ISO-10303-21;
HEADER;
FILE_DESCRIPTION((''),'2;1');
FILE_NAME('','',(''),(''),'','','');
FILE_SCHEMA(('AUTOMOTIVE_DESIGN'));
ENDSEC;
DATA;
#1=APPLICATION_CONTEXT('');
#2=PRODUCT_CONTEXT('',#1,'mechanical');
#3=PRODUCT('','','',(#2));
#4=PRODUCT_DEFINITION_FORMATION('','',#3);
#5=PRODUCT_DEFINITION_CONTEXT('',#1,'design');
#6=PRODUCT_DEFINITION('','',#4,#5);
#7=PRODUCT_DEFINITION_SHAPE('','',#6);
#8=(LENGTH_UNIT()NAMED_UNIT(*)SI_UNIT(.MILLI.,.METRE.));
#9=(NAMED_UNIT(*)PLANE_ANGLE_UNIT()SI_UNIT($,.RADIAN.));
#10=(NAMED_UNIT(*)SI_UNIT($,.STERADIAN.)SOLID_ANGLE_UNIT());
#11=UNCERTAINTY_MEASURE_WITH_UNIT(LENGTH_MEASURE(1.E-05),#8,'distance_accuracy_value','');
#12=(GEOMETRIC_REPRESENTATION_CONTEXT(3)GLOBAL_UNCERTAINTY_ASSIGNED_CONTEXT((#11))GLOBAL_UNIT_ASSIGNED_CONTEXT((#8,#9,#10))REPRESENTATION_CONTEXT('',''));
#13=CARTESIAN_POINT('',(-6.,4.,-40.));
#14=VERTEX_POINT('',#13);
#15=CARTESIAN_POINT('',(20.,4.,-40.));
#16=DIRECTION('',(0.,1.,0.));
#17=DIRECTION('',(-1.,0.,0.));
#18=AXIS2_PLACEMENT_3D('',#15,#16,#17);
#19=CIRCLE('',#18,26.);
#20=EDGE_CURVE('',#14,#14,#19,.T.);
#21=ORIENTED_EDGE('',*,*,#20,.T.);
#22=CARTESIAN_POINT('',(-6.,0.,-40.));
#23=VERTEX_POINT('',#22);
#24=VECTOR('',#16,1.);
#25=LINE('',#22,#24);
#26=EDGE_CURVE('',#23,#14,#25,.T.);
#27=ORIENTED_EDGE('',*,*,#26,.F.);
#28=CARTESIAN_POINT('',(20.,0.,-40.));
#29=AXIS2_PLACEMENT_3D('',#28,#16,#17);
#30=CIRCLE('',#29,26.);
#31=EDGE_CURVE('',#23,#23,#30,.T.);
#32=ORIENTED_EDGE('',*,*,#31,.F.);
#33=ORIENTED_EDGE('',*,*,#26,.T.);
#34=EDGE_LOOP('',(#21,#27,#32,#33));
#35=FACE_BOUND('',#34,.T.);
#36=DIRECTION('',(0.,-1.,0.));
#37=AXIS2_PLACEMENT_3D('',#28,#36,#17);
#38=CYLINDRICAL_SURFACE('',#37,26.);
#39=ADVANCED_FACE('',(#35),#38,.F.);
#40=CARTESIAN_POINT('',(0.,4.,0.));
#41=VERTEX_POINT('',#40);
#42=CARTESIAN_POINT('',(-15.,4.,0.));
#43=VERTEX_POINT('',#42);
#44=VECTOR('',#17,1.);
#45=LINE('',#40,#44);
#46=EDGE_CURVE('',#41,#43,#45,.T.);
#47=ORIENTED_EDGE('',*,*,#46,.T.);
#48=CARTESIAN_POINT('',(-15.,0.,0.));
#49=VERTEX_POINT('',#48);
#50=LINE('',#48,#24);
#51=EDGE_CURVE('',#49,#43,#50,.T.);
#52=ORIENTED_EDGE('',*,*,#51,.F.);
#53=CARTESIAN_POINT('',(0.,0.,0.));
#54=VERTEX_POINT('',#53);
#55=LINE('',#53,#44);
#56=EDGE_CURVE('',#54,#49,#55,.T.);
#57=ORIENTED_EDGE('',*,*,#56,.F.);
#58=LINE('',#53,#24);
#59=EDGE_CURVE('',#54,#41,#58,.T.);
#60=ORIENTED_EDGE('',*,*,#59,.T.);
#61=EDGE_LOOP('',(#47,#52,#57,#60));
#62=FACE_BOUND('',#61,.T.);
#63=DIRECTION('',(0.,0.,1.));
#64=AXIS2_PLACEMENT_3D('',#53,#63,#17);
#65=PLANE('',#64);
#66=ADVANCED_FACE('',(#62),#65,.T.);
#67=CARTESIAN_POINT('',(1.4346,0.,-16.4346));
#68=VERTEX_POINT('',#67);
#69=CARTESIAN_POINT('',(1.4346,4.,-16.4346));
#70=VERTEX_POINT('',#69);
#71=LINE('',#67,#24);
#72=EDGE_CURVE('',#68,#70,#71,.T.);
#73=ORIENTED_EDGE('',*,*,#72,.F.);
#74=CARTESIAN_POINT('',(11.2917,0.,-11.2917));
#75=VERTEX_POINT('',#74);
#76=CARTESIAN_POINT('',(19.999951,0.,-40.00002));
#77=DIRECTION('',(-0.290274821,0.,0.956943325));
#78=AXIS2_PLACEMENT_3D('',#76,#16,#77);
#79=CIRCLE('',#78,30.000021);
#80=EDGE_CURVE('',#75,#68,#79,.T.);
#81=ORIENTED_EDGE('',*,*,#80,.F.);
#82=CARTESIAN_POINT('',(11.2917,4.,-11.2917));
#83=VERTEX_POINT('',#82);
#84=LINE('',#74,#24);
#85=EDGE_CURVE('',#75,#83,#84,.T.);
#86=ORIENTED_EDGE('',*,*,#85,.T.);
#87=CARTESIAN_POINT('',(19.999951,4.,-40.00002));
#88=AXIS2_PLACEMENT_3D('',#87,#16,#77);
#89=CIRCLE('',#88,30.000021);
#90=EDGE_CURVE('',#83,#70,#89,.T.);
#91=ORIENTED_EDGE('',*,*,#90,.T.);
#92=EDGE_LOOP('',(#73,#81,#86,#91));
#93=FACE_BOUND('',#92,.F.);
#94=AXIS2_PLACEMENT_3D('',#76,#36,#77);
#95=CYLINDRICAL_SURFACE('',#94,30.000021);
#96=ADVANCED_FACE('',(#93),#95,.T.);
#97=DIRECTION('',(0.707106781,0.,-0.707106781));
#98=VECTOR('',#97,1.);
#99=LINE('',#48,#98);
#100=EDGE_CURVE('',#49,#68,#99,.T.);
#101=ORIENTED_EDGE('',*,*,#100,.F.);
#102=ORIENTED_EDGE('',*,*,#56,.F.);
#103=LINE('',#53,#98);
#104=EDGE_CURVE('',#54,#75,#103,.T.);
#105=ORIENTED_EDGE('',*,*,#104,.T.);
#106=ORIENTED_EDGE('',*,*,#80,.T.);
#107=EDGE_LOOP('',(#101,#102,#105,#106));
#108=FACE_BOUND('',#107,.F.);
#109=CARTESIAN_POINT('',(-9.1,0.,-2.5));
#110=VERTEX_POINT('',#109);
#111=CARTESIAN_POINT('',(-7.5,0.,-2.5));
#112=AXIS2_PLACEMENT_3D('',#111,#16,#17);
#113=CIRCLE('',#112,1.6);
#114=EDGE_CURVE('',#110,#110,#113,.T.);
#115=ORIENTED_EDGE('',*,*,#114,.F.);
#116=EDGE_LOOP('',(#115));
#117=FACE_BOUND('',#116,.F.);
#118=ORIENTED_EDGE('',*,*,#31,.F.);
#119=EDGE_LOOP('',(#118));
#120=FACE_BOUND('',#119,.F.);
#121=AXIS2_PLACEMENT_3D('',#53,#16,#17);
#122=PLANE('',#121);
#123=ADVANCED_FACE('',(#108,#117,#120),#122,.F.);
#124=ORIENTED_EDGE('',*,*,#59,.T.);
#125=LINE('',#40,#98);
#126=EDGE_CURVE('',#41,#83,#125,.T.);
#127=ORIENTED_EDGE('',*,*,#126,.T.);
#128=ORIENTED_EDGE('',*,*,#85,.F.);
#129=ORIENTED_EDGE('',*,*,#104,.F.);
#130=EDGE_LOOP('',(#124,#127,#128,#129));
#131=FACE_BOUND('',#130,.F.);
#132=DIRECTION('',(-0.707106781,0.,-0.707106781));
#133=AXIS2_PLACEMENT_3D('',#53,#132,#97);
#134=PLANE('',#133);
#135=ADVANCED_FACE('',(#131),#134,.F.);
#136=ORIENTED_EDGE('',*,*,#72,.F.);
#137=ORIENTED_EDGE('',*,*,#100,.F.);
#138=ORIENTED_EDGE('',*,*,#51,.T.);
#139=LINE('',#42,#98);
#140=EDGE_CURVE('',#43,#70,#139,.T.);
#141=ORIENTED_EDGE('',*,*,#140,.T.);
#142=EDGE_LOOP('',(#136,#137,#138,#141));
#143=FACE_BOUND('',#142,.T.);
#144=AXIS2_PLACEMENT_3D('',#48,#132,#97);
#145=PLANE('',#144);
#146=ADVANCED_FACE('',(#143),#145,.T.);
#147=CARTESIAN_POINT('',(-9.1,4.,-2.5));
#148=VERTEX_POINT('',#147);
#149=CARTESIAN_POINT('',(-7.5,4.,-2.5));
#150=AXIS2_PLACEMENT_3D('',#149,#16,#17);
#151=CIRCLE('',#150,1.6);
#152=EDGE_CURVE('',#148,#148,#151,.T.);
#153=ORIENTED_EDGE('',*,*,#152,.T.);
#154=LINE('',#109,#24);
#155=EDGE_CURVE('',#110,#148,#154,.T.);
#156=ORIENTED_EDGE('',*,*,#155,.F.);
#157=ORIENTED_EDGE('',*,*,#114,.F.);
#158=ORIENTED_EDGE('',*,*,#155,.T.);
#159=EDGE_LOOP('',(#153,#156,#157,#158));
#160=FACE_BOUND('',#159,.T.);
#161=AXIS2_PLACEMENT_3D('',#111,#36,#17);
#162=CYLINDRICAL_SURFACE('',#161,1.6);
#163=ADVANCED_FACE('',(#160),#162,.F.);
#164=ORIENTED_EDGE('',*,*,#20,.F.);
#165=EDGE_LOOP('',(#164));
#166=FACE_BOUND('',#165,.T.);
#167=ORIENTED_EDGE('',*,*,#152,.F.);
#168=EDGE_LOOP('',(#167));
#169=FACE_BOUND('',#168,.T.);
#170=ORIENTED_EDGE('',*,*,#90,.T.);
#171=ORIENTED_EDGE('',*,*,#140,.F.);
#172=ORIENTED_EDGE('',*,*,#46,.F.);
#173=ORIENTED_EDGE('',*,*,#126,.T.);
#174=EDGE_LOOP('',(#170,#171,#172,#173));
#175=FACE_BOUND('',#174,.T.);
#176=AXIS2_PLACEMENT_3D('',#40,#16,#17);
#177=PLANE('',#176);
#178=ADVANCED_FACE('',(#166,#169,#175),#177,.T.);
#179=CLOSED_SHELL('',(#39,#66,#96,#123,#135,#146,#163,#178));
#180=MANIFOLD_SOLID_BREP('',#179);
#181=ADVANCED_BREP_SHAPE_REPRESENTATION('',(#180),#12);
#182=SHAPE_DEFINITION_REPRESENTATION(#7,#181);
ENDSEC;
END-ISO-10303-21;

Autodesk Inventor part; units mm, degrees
ref_plane "YZ Plane" through (0, 0, 0) normal (1, 0, 0) x (0, 1, 0)
ref_plane "XZ Plane" through (0, 0, 0) normal (0, 1, 0) x (-1, 0, 0)
ref_plane "XY Plane" through (0, 0, 0) normal (0, 0, 1) x (1, 0, 0)
sketch "Sketch1" plane through (0, 0, 0) normal (0, 1, 0) x (-1, 0, 0)
  line L0 (0, 0) -> (15, 0)
  circle A0 centre (7.5, -2.5) radius 1.6
  line L1 (15, 0) -> (44.3967, 0) construction
  line L2 (0, 0) -> (21.2132, 0) construction
  circle A1 centre (-20, -40) radius 26
  arc A2 (-11.2917, -11.2917) -> (-1.4346, -16.4346) centre (-20, -40) ccw
  line L3 (15, 0) -> (-1.4346, -16.4346)
  line L4 (0, 0) -> (-11.2917, -11.2917)
  line L5 (0, 0) -> (15.9689, 0) construction
  dimension "d0" = 15
  dimension "d1" = 2.5
  dimension "d2" = 7.5
  dimension "d3" = 3.2
  dimension "d6" = 52
  dimension "d7" = 40
  dimension "d8" = 60
  dimension "d10" = 20
  dimension "d11" = 135
extrude "Extrusion1" add sketch "Sketch1" along normal blind 4
sketch "Sketch2" plane through (0, 4, 0) normal (0, 1, 0) x (1, 0, 0)
  point P0 (0, 0)
properties part number "Float Walls"
